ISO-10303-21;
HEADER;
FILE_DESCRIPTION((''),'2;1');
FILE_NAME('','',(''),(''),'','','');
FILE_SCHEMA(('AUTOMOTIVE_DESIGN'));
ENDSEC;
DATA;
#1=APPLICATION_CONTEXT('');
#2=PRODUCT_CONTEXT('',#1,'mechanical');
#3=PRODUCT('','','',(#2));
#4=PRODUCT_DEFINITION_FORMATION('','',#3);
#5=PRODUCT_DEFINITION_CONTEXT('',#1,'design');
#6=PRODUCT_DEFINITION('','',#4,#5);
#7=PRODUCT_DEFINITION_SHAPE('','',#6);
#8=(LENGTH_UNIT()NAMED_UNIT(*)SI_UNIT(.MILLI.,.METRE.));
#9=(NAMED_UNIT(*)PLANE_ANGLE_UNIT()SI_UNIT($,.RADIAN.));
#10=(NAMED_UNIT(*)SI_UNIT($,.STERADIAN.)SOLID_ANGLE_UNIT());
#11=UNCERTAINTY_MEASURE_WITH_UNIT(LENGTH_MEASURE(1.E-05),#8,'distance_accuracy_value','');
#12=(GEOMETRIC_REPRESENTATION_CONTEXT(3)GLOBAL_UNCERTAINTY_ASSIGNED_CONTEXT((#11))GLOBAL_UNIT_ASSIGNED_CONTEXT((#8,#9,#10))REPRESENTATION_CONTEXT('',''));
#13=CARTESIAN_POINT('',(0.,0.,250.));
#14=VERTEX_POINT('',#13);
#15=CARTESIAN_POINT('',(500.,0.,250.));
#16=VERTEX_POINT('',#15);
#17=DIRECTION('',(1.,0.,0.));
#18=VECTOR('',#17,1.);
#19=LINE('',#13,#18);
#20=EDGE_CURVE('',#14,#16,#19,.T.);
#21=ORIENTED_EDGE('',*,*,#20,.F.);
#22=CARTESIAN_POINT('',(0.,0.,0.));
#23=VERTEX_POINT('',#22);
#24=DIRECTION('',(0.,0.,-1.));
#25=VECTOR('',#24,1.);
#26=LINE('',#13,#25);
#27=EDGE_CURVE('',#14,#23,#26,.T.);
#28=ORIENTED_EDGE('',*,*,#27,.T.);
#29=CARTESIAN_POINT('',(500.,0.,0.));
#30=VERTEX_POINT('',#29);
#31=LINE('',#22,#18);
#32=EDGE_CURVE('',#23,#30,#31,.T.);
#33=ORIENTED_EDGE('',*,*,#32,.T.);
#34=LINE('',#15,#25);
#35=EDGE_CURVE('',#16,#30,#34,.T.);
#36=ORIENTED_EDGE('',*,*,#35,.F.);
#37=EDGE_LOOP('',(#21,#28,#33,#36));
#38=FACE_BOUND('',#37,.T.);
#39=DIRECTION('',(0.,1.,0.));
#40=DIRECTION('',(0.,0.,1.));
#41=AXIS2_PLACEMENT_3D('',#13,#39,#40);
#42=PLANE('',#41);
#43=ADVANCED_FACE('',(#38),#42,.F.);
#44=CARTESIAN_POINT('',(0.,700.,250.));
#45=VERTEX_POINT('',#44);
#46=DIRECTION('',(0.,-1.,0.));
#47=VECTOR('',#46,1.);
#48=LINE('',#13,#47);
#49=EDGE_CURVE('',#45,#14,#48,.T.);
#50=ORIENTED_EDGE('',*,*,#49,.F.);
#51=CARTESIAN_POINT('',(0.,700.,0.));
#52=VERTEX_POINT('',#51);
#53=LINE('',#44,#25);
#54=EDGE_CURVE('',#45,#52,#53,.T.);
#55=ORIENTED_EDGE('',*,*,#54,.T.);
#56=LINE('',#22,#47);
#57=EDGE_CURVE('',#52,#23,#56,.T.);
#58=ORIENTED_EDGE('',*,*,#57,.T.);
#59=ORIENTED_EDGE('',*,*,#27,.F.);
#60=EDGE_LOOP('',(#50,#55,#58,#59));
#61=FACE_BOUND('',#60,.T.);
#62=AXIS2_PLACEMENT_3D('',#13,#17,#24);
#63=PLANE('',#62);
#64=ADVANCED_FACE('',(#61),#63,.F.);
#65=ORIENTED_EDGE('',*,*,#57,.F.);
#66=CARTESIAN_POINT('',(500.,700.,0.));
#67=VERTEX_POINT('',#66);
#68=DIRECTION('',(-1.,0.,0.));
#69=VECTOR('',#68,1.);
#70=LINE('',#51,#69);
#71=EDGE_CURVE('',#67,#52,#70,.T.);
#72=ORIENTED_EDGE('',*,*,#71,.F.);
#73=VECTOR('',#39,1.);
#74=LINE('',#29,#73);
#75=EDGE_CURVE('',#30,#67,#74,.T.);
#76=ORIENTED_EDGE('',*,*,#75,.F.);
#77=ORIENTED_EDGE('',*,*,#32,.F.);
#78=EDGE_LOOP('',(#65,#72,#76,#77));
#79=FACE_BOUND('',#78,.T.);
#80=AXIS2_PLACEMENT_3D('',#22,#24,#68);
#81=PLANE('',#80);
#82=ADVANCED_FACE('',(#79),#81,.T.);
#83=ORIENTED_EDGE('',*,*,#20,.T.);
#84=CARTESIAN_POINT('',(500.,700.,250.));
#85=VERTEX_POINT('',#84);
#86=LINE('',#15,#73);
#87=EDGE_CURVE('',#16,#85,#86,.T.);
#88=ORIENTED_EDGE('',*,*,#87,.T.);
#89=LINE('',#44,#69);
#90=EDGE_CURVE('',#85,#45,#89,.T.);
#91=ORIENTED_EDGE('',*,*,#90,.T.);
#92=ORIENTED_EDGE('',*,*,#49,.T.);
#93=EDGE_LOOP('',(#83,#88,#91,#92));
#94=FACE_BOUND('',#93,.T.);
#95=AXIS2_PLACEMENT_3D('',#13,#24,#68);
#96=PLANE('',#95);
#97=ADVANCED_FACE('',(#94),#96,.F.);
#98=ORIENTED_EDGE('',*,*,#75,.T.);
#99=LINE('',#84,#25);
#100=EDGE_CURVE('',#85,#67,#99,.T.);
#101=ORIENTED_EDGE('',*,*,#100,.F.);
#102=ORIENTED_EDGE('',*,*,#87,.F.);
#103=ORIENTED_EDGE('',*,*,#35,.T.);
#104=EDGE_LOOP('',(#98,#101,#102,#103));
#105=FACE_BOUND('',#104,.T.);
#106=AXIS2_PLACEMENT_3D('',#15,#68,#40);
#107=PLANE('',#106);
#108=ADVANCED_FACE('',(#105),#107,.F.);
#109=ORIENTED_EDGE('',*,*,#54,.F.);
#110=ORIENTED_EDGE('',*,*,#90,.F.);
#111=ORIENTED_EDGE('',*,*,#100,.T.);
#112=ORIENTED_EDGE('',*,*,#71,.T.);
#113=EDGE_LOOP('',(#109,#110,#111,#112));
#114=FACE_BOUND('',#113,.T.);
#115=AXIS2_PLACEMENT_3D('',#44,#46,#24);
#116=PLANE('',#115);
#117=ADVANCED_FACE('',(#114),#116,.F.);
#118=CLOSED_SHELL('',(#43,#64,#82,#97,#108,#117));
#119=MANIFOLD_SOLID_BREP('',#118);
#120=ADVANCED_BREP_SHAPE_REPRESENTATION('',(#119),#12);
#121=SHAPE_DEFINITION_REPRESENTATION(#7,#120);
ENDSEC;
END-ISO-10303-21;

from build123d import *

# Parameters (mm, degrees)
SKETCH_1_W      = 500
SKETCH_1_H      = 700
EXTRUDE_1_DEPTH = 250


with BuildPart() as part:
    # 草圖1 → 填料-伸長1 (new body)
    with BuildSketch(Plane.XY):
        with Locations((250, 350)):
            Rectangle(SKETCH_1_W, SKETCH_1_H)
    extrude(amount=EXTRUDE_1_DEPTH)


solid = part.part
